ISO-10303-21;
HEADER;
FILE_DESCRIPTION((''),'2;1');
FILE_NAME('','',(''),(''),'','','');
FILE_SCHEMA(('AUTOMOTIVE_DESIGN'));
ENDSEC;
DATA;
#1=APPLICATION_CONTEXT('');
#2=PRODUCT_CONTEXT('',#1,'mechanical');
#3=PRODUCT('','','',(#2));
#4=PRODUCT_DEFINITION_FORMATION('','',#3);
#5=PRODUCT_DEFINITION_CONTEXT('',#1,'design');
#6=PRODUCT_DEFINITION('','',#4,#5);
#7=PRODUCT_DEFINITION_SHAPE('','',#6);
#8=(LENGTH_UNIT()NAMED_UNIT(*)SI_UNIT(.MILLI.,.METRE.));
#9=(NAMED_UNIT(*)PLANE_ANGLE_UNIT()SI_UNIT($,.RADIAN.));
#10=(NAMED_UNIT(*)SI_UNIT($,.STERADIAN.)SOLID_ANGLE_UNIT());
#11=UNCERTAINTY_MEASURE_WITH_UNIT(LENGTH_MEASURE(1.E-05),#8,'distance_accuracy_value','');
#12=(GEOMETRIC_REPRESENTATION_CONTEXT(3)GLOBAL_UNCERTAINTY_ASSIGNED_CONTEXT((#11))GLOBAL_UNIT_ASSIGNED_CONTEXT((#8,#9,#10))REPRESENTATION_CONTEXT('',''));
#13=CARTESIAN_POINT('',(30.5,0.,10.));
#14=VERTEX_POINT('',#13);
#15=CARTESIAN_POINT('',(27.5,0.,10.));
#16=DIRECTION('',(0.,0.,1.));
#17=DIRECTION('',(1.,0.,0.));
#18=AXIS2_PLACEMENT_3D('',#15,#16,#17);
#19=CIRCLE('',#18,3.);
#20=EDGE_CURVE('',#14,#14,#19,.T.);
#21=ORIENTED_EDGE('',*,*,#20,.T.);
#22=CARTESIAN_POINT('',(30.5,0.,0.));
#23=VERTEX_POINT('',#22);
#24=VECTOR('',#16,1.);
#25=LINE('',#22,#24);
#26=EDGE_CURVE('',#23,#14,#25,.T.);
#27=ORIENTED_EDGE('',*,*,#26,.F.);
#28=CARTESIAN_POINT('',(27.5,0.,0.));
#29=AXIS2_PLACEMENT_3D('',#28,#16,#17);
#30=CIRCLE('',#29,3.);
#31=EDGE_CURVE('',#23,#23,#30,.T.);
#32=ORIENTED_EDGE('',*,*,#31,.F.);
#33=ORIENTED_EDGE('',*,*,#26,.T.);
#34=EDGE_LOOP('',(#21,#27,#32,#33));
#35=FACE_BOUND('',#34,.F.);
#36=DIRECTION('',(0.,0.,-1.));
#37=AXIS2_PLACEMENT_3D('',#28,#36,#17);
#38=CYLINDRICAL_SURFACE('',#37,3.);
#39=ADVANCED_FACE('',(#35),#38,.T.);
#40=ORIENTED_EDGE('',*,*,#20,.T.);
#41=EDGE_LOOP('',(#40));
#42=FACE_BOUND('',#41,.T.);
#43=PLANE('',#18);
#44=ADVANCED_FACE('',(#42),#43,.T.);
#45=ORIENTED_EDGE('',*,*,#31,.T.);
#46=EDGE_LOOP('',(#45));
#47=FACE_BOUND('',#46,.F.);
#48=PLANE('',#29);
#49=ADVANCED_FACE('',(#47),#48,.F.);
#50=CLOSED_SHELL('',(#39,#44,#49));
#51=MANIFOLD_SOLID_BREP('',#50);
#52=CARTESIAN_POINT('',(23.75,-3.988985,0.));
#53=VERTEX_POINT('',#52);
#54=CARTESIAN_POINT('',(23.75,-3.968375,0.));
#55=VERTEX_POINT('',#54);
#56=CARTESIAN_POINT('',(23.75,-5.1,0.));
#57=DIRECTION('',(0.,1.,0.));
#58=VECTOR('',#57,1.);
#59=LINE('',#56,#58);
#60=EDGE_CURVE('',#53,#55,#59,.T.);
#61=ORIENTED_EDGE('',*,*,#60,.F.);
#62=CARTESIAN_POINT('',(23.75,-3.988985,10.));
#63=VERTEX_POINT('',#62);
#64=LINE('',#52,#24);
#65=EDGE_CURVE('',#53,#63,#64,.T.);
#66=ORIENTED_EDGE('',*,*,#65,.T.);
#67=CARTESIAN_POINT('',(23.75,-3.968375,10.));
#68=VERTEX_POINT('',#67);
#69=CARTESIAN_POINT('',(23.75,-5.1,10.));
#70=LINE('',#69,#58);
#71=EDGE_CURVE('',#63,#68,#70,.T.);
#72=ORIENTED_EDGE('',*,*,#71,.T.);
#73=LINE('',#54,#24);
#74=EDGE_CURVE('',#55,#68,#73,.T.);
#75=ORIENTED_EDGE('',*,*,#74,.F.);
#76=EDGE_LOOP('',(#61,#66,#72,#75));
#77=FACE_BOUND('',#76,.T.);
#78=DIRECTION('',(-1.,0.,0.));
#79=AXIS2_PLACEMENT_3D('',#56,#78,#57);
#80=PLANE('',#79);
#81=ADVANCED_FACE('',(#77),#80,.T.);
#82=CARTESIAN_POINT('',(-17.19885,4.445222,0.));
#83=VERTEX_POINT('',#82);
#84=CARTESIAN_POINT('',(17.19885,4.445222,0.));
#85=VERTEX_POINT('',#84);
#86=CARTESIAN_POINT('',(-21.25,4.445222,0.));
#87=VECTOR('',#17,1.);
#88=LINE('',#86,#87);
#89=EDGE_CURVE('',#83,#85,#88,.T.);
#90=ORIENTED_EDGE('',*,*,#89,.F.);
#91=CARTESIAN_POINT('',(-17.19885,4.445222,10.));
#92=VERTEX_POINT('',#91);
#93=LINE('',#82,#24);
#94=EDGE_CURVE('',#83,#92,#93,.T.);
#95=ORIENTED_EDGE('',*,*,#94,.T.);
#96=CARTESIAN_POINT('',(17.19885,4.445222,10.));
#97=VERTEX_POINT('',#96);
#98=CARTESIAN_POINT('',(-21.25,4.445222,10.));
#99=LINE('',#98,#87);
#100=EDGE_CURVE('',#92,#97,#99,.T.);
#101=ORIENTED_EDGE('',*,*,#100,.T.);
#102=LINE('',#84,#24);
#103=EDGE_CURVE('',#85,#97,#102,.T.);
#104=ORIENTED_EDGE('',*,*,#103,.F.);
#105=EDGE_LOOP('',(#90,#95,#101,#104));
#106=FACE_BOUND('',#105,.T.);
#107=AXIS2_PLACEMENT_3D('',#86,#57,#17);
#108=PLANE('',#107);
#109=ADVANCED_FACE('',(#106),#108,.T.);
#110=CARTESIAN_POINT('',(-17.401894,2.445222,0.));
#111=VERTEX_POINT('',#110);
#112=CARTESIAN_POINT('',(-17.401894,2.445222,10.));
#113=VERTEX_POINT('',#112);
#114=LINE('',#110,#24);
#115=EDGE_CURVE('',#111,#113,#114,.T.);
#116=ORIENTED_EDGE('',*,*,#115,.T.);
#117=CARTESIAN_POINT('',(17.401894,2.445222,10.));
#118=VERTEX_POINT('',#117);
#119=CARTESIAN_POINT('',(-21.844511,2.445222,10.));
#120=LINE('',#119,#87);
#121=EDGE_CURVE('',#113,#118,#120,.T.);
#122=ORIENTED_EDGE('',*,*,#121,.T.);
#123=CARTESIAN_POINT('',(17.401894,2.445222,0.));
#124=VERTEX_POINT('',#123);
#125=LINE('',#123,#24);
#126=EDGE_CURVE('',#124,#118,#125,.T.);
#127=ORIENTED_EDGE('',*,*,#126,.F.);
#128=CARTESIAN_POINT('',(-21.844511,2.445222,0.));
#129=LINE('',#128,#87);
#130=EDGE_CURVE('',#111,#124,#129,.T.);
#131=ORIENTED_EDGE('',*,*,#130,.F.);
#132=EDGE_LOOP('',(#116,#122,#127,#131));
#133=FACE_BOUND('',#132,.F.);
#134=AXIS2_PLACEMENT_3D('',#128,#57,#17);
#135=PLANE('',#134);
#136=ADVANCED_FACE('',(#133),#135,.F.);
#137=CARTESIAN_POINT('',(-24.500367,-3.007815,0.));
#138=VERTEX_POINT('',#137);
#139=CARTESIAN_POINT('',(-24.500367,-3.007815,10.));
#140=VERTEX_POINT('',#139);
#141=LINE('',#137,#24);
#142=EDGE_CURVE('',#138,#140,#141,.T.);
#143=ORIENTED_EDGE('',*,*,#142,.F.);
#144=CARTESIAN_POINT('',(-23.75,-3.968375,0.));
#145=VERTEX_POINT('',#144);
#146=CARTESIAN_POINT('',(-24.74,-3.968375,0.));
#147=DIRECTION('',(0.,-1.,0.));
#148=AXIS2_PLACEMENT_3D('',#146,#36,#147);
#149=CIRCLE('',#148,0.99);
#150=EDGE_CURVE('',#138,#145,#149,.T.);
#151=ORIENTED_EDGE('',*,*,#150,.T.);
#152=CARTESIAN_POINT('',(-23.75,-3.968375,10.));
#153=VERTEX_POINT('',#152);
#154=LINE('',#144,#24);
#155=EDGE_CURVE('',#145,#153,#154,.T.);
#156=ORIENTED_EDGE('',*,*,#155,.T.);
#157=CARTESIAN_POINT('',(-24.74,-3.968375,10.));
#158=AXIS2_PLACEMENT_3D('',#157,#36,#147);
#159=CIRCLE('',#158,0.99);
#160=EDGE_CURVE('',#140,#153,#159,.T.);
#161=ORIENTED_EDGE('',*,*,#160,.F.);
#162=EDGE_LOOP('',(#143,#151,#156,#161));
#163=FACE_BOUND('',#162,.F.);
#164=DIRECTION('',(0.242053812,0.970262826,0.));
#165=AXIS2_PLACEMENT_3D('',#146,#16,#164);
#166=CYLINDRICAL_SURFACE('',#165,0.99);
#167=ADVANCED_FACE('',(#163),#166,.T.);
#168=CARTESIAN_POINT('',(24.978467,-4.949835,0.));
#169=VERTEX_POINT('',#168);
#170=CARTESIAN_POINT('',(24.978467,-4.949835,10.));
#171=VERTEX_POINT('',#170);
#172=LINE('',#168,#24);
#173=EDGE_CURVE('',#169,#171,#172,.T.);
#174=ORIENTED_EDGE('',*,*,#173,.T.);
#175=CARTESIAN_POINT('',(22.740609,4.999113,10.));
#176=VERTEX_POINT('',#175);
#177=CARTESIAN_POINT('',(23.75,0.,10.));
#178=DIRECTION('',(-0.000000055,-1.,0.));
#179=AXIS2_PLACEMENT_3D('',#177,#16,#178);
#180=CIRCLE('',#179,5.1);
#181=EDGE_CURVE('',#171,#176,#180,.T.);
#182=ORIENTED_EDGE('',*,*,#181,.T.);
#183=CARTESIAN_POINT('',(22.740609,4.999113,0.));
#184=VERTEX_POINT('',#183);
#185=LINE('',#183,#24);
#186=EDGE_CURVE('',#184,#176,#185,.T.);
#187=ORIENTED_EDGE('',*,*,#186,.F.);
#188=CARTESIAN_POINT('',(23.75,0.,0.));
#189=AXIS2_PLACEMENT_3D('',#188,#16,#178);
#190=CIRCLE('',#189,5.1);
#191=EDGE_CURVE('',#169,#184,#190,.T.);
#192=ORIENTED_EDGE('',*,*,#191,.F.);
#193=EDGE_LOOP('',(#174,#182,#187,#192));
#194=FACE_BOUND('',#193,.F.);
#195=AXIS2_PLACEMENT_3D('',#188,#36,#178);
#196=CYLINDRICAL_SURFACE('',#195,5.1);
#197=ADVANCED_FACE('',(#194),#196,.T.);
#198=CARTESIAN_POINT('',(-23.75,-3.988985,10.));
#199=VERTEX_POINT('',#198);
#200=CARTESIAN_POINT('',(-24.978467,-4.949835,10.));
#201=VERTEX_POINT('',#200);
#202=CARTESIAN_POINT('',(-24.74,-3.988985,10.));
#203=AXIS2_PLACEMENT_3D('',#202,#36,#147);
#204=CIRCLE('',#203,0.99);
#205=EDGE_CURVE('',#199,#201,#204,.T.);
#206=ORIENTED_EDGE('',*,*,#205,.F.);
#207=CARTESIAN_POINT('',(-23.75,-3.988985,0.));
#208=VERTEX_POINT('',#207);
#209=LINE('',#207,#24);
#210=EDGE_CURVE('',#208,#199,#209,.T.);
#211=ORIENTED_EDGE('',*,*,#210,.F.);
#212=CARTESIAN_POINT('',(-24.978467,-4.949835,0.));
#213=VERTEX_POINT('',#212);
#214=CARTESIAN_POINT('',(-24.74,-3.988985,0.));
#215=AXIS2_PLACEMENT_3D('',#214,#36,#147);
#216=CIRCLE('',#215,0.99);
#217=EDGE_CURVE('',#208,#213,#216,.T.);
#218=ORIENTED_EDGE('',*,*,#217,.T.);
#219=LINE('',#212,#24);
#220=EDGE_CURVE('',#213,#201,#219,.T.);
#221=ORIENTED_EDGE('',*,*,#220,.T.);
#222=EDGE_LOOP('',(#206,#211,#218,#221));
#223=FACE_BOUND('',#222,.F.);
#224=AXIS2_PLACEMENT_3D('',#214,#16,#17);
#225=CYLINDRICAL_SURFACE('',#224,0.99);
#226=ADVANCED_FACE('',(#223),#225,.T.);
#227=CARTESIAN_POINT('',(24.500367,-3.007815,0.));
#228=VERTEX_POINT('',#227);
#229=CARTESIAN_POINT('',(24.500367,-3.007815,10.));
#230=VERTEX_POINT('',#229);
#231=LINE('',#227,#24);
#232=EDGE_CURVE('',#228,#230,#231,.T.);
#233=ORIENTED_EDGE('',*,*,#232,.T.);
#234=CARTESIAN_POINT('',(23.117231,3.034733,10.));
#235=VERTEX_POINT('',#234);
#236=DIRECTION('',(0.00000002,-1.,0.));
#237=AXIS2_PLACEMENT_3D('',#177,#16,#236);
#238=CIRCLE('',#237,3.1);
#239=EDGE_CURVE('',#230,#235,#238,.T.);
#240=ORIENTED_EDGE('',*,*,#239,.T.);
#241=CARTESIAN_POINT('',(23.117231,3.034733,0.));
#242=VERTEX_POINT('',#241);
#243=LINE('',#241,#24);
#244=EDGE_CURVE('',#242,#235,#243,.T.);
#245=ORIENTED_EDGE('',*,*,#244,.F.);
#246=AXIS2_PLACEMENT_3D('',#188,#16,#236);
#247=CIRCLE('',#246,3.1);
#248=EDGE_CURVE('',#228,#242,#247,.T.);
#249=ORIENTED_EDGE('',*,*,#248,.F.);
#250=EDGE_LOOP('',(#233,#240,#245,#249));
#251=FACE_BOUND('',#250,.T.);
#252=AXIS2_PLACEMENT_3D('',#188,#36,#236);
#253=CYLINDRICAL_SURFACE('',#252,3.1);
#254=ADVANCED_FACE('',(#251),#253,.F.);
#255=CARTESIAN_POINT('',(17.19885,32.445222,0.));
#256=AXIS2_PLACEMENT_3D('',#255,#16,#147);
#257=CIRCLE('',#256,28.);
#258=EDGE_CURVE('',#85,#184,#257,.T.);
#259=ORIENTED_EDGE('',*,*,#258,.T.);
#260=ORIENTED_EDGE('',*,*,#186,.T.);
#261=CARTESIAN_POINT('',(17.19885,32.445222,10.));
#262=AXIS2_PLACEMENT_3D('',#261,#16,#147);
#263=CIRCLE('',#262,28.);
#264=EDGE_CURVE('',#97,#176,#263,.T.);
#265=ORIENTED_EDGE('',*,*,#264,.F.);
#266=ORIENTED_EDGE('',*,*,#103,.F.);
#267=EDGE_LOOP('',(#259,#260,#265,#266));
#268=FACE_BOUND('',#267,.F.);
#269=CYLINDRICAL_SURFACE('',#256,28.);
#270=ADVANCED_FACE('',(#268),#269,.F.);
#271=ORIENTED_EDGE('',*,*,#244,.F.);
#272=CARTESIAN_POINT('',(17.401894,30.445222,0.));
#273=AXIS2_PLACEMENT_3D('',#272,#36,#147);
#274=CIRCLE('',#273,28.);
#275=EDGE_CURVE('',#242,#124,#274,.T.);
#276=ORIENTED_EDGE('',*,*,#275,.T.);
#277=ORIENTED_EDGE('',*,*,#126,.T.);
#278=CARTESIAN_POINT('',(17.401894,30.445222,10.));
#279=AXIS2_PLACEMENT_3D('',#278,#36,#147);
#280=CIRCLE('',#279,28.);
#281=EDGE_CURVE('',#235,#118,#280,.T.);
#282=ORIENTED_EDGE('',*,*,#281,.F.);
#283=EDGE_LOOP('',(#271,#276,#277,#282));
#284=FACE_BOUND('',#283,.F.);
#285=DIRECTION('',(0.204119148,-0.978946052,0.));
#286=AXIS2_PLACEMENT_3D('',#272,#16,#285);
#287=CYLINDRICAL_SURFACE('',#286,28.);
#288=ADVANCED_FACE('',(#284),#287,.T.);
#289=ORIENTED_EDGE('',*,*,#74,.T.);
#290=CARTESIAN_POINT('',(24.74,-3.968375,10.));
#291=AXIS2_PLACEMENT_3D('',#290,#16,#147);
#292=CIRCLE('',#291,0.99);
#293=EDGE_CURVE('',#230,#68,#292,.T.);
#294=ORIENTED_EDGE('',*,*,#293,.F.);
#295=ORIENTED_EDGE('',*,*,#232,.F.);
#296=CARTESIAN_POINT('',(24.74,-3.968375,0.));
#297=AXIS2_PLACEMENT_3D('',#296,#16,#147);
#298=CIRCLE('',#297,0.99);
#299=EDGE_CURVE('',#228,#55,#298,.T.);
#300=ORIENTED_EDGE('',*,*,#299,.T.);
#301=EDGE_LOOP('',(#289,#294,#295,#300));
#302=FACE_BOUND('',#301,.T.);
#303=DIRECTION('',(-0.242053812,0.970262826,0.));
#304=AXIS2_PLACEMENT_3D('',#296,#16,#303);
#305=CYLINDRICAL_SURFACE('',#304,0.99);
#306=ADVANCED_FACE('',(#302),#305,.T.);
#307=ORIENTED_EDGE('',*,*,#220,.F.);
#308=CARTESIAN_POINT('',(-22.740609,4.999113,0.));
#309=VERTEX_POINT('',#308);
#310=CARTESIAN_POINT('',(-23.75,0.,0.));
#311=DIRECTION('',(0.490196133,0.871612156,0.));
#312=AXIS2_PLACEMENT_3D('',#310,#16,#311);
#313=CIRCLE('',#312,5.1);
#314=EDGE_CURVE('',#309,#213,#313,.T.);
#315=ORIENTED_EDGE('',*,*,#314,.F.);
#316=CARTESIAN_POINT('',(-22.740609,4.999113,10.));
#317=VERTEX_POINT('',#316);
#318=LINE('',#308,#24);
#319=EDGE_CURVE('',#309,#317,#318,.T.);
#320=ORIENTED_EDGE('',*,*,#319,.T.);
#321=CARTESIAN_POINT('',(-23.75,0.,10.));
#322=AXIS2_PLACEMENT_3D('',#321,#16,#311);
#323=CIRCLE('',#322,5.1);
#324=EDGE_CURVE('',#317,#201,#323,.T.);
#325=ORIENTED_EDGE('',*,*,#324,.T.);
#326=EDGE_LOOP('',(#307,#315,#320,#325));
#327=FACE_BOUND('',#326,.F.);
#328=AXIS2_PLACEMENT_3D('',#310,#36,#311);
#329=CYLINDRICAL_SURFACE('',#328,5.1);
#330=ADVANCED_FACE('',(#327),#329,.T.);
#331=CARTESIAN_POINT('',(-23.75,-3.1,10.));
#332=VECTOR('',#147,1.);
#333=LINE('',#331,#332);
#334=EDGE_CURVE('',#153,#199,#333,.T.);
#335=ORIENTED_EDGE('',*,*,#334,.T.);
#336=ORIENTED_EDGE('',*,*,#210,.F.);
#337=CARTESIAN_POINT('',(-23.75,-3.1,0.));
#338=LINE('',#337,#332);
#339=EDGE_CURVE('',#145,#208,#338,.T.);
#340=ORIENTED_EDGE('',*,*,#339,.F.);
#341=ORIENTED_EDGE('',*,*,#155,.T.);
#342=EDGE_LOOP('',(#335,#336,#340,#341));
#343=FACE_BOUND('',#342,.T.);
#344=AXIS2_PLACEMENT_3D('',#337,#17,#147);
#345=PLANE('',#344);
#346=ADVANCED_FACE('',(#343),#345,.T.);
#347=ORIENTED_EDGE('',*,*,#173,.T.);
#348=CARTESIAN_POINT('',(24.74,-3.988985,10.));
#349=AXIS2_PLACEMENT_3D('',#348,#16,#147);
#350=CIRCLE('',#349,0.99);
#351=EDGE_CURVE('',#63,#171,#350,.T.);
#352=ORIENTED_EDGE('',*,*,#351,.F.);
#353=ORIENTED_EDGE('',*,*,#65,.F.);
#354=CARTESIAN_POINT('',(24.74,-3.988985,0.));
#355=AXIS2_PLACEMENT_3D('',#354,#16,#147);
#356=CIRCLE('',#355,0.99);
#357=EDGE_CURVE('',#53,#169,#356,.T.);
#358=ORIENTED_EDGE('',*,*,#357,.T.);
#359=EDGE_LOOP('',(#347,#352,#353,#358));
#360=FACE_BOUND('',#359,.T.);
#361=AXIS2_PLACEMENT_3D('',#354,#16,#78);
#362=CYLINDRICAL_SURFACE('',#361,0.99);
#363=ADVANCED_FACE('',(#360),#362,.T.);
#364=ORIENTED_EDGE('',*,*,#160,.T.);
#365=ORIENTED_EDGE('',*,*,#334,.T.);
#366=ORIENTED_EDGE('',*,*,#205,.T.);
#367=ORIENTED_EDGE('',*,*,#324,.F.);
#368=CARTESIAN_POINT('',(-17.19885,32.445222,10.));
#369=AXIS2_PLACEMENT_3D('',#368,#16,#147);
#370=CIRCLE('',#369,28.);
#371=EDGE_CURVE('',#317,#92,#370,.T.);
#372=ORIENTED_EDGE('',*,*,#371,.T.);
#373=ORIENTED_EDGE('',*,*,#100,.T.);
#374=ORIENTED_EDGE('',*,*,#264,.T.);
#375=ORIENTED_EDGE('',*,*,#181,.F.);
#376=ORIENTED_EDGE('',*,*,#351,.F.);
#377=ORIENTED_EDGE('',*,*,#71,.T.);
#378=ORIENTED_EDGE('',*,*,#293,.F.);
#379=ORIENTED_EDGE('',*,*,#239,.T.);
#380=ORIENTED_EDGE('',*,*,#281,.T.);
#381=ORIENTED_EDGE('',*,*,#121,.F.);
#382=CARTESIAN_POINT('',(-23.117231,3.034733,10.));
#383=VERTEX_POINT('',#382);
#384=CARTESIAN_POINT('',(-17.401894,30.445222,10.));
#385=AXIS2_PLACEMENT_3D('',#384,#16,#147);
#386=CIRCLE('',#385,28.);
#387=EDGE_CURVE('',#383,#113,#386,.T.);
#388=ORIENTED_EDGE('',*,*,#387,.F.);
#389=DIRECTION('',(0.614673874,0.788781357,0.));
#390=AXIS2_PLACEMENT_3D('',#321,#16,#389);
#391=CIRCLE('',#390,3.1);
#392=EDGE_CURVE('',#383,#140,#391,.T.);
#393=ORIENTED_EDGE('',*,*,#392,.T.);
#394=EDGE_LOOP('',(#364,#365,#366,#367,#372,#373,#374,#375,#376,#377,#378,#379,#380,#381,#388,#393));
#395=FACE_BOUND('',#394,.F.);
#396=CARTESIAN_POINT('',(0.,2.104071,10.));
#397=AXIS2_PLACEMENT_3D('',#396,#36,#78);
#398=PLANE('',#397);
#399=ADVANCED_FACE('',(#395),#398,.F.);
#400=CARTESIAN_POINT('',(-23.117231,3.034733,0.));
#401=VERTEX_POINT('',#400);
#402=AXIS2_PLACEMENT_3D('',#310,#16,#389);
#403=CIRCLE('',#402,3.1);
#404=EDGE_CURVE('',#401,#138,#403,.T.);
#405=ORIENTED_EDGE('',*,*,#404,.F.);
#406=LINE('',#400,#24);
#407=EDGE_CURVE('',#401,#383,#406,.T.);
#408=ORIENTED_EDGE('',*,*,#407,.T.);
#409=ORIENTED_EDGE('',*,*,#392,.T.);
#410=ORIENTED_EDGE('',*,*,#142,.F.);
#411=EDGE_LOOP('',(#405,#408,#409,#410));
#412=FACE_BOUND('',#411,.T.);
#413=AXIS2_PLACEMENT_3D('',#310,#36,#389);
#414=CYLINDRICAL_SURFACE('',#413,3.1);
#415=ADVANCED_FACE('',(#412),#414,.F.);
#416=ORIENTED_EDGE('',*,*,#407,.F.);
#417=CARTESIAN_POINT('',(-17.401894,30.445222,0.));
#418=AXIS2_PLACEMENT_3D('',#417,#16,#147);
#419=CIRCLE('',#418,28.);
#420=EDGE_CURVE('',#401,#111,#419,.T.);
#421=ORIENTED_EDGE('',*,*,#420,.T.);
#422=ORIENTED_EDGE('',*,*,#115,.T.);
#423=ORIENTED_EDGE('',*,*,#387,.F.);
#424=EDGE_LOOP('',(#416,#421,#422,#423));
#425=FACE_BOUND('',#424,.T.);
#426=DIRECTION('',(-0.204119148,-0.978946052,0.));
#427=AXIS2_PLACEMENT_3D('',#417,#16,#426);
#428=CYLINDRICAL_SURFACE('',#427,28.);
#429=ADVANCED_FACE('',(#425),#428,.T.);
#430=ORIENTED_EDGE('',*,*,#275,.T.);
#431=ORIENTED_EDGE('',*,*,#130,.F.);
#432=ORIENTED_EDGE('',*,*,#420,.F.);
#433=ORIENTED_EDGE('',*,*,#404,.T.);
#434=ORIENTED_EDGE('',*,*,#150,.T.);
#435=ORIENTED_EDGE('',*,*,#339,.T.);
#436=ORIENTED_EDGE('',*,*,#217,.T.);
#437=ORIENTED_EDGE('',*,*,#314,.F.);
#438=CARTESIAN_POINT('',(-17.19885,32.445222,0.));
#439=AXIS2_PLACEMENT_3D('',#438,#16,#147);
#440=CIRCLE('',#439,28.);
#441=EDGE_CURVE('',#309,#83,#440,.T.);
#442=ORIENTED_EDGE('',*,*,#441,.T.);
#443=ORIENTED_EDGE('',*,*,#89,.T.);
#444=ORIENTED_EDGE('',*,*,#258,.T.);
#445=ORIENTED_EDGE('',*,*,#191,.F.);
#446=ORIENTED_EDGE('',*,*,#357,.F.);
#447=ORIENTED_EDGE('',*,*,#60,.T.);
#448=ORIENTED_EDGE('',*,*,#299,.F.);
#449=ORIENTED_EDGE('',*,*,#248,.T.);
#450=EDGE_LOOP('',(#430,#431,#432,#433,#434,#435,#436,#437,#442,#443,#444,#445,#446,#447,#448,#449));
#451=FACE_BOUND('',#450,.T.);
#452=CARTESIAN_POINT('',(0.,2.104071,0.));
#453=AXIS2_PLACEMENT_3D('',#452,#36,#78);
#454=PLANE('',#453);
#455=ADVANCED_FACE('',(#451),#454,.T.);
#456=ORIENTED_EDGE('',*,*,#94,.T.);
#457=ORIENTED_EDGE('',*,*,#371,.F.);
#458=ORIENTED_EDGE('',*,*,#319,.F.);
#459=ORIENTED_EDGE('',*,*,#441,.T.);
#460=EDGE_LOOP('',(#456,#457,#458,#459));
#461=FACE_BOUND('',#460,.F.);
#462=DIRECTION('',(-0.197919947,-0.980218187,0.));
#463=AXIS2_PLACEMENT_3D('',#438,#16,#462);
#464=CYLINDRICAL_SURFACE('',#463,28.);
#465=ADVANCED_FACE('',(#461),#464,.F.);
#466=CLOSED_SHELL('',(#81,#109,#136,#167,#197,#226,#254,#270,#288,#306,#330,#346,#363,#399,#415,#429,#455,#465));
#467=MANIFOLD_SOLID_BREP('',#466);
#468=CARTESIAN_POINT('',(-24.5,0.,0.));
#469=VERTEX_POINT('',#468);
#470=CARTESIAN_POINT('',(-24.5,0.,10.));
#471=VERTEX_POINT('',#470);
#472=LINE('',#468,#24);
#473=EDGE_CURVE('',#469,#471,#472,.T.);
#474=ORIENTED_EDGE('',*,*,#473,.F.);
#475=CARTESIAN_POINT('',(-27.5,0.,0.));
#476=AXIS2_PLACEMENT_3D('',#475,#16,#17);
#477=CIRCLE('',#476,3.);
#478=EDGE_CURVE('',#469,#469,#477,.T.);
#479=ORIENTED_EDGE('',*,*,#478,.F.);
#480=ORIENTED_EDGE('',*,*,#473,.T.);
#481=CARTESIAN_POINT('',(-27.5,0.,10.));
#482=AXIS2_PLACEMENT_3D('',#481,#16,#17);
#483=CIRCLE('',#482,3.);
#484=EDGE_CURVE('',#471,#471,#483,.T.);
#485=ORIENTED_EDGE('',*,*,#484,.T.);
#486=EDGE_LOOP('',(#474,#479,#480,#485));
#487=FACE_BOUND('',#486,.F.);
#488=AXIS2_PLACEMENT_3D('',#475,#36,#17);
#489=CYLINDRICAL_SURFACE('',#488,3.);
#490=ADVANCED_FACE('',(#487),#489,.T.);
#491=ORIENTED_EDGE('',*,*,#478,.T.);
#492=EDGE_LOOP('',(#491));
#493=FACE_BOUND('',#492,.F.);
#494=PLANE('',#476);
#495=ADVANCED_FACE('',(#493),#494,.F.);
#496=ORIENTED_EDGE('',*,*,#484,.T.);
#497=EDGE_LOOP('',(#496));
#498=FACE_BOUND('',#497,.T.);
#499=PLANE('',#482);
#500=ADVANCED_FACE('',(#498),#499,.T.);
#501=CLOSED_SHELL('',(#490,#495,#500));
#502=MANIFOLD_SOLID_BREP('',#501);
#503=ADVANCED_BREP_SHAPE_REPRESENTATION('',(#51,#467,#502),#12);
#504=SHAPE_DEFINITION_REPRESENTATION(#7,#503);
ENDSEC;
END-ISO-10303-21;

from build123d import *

# Parameters (mm, degrees)
SKETCH_R     = 3
PAD_DEPTH    = 10
PAD001_DEPTH = 10
FILLET_R     = 28
FILLET001_R  = 0.99


with BuildPart() as pad:
    # Sketch → Pad (new body)
    with BuildSketch(Plane.XY):
        with Locations((-27.5, 0)):
            Circle(SKETCH_R)
        with Locations((27.5, 0)):
            Circle(SKETCH_R)
    extrude(amount=PAD_DEPTH)


with BuildPart() as fillet001:
    # Sketch001 → Pad001 (new body)
    with BuildSketch(Plane.XY):
        with BuildLine():
            ThreePointArc((-21.844511, 2.445222), (-26.681739, 1.007425), (-23.75, -3.1))
            Line((-23.75, -3.1), (-23.75, -5.1))
            ThreePointArc((-21.25, 4.445222), (-28.683591, 1.292162), (-23.75, -5.1))
            Line((-21.25, 4.445222), (21.25, 4.445222))
            ThreePointArc((23.75, -5.1), (28.683591, 1.292162), (21.25, 4.445222))
            Line((23.75, -5.1), (23.75, -3.1))
            ThreePointArc((23.75, -3.1), (26.681739, 1.007425), (21.844511, 2.445222))
            Line((-21.844511, 2.445222), (21.844511, 2.445222))
        make_face()
    extrude(amount=PAD001_DEPTH)

    # Fillet
    fillet_edges = [fillet001.edges().sort_by_distance(p)[0] for p in [
        (21.25, 4.445222, 5),
        (-21.25, 4.445222, 5),
        (-21.844511, 2.445222, 5),
        (21.844511, 2.445222, 5),
    ]]
    fillet(fillet_edges, radius=FILLET_R)

    # Fillet001
    fillet001_edges = [fillet001.edges().sort_by_distance(p)[0] for p in [
        (-23.75, -5.1, 5),
        (-23.75, -3.1, 5),
        (23.75, -3.1, 5),
        (23.75, -5.1, 5),
    ]]
    fillet(fillet001_edges, radius=FILLET001_R)


solid = Compound([pad.part, fillet001.part])
